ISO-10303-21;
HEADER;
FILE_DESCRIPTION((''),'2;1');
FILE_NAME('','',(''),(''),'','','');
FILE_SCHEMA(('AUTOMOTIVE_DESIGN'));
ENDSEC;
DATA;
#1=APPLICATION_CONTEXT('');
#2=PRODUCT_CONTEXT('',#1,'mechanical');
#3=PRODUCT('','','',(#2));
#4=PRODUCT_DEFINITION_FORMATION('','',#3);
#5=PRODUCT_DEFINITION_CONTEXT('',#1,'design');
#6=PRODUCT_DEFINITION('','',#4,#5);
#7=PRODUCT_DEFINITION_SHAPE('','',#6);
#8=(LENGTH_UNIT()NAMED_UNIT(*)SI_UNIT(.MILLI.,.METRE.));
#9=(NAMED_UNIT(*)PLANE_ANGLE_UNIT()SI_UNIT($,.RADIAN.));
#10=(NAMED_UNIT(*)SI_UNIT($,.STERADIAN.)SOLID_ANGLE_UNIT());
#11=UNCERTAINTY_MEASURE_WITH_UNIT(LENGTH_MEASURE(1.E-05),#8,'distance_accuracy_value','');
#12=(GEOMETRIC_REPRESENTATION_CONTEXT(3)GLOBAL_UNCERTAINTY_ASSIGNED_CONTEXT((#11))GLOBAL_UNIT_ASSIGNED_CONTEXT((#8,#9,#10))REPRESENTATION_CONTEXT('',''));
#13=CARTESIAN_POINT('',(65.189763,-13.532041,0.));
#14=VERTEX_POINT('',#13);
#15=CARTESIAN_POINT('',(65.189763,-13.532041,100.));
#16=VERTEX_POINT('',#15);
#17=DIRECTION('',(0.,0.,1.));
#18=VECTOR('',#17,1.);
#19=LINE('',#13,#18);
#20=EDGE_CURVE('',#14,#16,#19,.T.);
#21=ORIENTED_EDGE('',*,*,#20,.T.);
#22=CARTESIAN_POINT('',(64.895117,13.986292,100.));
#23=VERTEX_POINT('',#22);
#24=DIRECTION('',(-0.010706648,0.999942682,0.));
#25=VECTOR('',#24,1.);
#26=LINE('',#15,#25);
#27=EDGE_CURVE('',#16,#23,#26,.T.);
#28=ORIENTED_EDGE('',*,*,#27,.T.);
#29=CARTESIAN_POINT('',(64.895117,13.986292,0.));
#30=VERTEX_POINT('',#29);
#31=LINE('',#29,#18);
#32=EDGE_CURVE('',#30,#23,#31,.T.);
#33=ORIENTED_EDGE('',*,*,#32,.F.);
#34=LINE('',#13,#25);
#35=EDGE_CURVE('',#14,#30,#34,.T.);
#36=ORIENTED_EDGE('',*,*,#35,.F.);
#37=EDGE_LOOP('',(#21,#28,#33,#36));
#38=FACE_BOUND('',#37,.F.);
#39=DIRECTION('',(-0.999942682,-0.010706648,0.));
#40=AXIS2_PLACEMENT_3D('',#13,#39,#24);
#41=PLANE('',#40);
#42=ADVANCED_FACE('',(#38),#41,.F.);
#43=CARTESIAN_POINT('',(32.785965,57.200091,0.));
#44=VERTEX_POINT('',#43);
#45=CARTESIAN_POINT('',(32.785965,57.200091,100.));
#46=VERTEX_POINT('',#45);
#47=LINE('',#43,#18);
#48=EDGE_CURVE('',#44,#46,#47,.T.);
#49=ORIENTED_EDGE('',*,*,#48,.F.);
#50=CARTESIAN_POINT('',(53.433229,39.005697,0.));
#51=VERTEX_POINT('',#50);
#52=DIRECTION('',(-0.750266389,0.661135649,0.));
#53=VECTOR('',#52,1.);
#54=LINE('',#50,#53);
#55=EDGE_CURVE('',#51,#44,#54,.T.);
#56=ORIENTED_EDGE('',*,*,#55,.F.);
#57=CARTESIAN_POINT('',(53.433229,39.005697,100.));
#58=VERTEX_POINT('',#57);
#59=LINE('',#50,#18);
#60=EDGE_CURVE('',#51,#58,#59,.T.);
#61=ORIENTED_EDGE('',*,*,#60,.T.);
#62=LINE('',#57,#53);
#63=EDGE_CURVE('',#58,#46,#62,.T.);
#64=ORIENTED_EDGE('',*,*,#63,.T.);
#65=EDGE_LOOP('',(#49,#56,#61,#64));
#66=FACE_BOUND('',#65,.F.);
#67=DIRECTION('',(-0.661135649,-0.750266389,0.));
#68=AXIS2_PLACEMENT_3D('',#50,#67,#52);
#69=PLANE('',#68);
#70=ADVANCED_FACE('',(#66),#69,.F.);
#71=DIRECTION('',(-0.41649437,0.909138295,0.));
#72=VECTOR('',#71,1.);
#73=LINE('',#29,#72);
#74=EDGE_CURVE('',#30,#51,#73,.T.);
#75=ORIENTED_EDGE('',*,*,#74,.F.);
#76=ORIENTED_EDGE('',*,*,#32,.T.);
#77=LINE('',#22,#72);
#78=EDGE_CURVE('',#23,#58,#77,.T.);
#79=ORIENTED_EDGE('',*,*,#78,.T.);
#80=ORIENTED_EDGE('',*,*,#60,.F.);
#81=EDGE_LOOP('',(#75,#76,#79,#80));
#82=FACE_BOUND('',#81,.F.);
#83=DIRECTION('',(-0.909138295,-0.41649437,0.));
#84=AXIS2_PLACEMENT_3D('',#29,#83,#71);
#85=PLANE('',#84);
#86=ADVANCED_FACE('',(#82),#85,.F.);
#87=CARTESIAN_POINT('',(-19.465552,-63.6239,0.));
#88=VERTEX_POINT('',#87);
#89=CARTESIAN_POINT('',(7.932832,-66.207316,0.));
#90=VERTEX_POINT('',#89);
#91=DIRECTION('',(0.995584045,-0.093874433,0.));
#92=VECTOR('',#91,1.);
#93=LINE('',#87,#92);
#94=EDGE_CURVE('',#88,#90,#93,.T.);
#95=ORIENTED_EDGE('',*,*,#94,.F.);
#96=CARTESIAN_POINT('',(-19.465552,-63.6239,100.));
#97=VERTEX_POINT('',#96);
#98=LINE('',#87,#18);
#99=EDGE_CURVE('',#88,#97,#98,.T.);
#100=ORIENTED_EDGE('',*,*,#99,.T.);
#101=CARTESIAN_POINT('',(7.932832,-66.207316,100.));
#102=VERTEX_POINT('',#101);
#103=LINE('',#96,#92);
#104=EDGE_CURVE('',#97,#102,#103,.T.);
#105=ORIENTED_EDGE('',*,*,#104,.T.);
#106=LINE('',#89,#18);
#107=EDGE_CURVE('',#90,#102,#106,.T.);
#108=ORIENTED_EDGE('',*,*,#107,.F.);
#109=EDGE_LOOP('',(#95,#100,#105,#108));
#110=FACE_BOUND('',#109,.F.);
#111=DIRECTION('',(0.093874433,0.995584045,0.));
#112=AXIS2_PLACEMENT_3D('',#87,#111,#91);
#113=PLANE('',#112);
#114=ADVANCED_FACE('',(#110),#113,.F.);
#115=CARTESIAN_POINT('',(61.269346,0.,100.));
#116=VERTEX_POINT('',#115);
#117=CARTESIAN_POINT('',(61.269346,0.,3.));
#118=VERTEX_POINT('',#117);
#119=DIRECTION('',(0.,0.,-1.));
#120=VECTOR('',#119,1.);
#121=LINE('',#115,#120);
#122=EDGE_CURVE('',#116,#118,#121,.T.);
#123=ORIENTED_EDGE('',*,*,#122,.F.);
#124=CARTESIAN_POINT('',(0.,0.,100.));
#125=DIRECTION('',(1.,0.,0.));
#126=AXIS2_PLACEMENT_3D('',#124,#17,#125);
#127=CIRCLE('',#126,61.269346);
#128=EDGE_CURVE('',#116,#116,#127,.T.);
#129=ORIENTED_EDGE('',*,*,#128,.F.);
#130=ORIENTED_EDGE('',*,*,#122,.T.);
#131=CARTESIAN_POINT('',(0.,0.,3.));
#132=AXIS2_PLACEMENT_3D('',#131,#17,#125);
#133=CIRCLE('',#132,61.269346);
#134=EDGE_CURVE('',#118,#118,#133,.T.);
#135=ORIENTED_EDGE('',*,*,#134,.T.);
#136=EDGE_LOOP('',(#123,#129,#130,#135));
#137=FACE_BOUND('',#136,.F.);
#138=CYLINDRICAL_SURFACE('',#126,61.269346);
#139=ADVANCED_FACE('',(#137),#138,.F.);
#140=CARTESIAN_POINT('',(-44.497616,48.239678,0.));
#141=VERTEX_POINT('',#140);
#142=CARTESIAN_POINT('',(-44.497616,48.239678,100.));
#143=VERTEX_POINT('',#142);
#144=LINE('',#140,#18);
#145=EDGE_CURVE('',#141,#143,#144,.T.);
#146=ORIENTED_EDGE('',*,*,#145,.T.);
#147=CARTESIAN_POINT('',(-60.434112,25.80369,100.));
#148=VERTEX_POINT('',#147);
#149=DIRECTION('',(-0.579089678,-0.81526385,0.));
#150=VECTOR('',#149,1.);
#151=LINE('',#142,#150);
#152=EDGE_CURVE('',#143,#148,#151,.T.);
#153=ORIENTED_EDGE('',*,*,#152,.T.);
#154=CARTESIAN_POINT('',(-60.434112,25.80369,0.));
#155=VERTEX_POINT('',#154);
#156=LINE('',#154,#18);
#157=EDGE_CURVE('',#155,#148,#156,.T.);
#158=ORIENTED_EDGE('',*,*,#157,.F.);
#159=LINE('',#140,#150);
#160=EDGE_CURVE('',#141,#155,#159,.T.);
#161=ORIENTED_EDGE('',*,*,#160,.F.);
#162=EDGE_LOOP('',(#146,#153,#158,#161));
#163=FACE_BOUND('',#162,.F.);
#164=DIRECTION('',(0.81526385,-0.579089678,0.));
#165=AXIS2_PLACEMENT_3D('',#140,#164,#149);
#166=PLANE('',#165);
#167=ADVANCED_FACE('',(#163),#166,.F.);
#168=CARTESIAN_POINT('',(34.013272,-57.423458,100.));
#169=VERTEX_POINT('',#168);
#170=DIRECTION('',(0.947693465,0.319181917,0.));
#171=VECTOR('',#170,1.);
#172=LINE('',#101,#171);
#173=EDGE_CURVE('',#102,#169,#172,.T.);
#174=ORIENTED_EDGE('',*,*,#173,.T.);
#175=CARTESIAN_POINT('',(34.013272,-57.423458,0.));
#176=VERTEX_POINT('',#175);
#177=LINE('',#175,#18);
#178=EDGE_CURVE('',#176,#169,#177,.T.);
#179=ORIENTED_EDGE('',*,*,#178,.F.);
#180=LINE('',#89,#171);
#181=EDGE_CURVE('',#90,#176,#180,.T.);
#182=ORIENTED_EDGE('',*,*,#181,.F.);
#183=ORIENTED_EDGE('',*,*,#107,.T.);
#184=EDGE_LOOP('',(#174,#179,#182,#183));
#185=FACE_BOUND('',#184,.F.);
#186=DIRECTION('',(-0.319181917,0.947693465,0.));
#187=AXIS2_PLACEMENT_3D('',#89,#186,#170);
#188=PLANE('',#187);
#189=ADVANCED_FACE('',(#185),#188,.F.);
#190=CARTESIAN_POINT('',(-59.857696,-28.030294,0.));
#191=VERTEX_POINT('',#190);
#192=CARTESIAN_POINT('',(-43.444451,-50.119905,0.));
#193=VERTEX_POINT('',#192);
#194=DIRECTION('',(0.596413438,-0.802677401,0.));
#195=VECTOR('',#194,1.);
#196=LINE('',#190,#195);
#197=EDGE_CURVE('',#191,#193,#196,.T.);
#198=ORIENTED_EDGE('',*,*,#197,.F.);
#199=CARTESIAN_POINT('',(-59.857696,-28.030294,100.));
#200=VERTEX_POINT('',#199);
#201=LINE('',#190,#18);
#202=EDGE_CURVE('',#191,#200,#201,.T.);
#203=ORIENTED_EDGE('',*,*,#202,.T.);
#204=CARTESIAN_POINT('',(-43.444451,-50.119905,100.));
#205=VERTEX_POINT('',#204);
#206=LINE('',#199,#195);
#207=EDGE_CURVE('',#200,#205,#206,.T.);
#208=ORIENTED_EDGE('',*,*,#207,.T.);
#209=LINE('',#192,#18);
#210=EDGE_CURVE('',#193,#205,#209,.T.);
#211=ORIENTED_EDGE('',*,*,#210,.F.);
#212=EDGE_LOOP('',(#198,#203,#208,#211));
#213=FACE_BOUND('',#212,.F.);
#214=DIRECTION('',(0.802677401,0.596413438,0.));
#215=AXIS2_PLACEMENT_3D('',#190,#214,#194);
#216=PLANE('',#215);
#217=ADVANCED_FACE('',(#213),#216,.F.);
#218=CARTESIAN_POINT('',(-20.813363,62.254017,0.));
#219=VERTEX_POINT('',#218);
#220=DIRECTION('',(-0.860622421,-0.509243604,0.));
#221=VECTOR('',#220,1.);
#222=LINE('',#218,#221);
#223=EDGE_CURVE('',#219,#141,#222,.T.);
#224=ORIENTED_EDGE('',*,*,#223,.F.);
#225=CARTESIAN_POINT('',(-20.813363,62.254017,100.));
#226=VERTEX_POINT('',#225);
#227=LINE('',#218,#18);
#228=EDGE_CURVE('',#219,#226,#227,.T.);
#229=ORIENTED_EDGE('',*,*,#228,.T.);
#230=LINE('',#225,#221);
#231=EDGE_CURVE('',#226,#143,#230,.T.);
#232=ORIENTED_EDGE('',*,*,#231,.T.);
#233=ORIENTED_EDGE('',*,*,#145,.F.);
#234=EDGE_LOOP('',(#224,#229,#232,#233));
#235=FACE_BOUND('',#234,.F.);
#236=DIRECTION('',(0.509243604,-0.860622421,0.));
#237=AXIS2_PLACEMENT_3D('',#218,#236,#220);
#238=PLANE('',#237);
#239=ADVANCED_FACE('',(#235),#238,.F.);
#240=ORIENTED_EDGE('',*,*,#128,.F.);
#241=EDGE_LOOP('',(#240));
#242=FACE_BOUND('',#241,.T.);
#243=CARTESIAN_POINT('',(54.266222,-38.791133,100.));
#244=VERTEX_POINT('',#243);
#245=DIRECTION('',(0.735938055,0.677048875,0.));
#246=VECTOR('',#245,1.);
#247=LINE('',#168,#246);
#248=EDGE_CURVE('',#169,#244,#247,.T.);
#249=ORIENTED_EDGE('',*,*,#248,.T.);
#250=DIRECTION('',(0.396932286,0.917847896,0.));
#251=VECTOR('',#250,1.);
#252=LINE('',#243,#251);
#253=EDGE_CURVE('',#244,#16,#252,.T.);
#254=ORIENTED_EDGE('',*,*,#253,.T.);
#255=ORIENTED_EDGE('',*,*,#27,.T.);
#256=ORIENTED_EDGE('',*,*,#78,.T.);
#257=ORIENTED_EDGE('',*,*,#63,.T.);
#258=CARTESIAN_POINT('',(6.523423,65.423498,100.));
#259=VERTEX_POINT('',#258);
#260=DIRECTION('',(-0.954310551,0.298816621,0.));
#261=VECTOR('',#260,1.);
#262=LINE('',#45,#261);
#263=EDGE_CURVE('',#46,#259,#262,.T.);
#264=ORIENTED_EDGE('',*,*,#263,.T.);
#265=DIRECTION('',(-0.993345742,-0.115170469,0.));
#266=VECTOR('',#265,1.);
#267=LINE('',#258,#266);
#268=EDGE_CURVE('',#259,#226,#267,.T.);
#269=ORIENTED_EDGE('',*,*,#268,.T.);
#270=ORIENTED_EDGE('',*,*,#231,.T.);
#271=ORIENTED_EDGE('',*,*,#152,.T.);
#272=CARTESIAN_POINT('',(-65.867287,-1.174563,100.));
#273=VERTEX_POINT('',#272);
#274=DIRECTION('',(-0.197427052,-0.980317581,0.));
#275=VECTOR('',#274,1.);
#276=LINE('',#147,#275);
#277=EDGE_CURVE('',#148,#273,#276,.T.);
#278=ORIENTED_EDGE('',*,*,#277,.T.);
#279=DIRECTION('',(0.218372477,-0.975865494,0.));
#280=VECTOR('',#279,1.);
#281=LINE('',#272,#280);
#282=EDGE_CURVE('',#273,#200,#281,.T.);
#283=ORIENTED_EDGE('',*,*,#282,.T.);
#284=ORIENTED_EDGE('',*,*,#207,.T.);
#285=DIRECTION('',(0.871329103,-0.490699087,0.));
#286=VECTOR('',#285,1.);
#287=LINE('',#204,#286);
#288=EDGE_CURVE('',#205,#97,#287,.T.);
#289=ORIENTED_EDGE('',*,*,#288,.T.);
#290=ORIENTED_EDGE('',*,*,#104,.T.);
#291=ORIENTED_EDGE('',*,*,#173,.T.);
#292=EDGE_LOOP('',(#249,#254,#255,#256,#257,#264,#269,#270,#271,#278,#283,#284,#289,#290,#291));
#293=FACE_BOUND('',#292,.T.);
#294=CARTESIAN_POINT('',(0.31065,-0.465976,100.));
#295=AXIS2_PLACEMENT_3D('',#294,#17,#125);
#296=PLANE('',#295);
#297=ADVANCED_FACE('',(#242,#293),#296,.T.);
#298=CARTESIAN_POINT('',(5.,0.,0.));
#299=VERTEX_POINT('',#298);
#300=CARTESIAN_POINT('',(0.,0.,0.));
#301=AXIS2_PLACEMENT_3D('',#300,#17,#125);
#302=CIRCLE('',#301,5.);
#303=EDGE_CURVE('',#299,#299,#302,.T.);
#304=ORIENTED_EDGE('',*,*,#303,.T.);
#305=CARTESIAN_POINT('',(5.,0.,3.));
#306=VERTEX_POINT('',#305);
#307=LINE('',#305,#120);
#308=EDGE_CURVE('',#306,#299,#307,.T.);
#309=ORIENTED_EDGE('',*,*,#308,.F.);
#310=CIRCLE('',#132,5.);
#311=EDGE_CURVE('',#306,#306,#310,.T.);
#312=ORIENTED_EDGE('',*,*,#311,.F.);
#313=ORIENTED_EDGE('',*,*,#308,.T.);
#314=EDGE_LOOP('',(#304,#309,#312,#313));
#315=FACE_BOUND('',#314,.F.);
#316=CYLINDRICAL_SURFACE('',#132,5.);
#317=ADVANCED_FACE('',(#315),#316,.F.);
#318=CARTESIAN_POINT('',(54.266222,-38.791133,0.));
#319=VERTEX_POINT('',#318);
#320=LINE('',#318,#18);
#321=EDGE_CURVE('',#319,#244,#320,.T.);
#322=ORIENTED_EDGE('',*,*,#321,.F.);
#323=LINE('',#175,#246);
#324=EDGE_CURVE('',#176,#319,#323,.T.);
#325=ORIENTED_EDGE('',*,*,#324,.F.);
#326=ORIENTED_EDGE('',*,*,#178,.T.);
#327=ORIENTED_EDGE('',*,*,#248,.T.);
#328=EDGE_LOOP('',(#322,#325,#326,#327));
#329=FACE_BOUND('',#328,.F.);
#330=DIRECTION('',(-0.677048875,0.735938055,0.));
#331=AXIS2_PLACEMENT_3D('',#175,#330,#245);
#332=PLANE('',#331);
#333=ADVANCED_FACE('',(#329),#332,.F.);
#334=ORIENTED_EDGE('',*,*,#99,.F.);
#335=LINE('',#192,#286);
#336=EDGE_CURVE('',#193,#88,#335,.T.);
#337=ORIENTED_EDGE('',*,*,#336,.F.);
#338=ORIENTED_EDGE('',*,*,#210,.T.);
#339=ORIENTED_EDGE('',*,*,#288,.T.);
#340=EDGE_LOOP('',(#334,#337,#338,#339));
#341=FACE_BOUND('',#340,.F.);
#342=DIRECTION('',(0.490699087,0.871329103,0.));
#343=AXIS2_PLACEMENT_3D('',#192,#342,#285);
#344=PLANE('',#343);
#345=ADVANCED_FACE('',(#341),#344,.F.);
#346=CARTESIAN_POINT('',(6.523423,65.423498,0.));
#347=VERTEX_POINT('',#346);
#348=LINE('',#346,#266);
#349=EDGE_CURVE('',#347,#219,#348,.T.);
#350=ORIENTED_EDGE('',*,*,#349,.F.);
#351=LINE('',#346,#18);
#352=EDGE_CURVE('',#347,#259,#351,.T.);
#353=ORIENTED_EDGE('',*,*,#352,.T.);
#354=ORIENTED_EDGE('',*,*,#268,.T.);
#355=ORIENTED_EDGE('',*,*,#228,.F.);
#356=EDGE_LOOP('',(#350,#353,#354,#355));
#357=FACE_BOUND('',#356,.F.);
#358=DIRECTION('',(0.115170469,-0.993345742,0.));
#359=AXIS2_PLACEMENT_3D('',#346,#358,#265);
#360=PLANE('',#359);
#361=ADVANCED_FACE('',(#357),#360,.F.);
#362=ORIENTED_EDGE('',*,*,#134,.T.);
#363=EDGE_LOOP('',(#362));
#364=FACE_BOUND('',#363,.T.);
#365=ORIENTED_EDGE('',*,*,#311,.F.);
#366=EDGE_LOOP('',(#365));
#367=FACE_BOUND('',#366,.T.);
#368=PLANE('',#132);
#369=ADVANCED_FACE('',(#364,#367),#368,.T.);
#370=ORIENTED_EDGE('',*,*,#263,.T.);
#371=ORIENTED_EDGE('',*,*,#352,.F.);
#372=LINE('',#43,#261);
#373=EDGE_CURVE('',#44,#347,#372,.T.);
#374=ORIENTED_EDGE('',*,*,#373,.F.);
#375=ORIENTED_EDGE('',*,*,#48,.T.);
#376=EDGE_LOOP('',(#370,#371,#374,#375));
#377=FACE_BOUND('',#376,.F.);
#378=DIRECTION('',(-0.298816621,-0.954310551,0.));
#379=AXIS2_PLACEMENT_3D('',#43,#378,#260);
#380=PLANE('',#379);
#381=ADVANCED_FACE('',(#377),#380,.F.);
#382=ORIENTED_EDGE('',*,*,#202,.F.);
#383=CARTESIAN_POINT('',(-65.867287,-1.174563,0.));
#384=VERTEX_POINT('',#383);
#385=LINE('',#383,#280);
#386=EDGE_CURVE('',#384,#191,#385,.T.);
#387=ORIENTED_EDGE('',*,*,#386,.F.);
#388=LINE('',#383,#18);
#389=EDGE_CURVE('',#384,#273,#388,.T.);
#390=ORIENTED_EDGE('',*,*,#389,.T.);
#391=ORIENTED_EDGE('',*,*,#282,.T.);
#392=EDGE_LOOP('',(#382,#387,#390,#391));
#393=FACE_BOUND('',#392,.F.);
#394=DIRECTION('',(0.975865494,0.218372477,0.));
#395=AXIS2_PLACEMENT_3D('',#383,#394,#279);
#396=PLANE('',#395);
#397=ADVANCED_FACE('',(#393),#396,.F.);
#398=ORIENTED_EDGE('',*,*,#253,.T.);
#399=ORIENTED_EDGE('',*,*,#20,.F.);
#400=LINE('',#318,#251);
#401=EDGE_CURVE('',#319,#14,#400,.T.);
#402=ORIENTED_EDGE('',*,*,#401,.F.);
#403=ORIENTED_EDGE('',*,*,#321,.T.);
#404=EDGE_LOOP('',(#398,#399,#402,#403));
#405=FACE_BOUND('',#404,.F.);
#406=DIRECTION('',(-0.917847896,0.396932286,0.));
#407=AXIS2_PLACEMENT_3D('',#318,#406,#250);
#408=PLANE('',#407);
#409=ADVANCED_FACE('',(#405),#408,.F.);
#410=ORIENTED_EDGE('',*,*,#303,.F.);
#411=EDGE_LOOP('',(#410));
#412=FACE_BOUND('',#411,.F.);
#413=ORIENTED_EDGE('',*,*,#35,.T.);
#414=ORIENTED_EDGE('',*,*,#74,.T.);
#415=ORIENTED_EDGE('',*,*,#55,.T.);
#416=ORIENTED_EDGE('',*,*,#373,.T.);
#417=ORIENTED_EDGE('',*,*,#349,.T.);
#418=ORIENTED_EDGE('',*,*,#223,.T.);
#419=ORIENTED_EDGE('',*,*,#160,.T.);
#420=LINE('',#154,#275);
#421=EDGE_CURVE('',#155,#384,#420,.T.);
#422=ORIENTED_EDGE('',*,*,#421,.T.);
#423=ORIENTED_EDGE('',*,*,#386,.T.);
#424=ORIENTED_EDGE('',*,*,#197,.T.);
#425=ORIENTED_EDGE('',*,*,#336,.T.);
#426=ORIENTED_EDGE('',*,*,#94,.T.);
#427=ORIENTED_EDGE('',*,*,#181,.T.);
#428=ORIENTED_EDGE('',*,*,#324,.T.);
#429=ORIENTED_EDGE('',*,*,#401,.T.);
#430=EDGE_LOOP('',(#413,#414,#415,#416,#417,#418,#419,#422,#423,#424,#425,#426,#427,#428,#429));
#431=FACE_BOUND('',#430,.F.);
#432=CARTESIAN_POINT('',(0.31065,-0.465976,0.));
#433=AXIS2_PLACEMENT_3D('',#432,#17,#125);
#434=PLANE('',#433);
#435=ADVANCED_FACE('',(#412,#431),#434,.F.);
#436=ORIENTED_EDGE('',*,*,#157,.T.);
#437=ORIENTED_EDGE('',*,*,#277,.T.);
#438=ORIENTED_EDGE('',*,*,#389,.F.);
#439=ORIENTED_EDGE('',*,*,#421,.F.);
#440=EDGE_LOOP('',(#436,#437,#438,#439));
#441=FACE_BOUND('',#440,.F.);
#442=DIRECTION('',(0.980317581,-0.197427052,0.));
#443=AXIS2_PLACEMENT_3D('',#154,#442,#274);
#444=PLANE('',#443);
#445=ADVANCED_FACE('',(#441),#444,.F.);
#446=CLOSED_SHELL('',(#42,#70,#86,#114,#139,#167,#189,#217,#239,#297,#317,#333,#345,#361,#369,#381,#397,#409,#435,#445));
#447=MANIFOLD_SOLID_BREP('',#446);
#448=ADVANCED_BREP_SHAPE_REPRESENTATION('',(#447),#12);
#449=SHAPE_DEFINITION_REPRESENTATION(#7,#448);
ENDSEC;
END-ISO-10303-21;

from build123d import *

# Parameters (mm, degrees)
F1_DEPTH = 100
F2_R     = 61.269346
F3_DEPTH = 97
F4_R     = 5
F5_DEPTH = 25


with BuildPart() as f1:
    # F0 (on Top) → F1 (new body)
    with BuildSketch(Plane.XY):
        Polygon((6.523423, 65.423498), (-20.813363, 62.254017), (-44.497616, 48.239678), (-60.434112, 25.80369), (-65.867287, -1.174563), (-59.857696, -28.030294), (-43.444451, -50.119905), (-19.465552, -63.6239), (7.932832, -66.207316), (34.013272, -57.423458), (54.266222, -38.791133), (65.189763, -13.532041), (64.895117, 13.986292), (53.433229, 39.005697), (32.785965, 57.200091), align=None)
    extrude(amount=F1_DEPTH)

    # F2 (on face) → F3 (cut)
    with BuildSketch(Plane.XY.offset(100)):
        Circle(F2_R)
    extrude(amount=-F3_DEPTH, mode=Mode.SUBTRACT)

    # F4 (on face) → F5 (cut)
    with BuildSketch(Plane.XY.offset(3)):
        Circle(F4_R)
    extrude(amount=-F5_DEPTH, mode=Mode.SUBTRACT)


solid = f1.part
